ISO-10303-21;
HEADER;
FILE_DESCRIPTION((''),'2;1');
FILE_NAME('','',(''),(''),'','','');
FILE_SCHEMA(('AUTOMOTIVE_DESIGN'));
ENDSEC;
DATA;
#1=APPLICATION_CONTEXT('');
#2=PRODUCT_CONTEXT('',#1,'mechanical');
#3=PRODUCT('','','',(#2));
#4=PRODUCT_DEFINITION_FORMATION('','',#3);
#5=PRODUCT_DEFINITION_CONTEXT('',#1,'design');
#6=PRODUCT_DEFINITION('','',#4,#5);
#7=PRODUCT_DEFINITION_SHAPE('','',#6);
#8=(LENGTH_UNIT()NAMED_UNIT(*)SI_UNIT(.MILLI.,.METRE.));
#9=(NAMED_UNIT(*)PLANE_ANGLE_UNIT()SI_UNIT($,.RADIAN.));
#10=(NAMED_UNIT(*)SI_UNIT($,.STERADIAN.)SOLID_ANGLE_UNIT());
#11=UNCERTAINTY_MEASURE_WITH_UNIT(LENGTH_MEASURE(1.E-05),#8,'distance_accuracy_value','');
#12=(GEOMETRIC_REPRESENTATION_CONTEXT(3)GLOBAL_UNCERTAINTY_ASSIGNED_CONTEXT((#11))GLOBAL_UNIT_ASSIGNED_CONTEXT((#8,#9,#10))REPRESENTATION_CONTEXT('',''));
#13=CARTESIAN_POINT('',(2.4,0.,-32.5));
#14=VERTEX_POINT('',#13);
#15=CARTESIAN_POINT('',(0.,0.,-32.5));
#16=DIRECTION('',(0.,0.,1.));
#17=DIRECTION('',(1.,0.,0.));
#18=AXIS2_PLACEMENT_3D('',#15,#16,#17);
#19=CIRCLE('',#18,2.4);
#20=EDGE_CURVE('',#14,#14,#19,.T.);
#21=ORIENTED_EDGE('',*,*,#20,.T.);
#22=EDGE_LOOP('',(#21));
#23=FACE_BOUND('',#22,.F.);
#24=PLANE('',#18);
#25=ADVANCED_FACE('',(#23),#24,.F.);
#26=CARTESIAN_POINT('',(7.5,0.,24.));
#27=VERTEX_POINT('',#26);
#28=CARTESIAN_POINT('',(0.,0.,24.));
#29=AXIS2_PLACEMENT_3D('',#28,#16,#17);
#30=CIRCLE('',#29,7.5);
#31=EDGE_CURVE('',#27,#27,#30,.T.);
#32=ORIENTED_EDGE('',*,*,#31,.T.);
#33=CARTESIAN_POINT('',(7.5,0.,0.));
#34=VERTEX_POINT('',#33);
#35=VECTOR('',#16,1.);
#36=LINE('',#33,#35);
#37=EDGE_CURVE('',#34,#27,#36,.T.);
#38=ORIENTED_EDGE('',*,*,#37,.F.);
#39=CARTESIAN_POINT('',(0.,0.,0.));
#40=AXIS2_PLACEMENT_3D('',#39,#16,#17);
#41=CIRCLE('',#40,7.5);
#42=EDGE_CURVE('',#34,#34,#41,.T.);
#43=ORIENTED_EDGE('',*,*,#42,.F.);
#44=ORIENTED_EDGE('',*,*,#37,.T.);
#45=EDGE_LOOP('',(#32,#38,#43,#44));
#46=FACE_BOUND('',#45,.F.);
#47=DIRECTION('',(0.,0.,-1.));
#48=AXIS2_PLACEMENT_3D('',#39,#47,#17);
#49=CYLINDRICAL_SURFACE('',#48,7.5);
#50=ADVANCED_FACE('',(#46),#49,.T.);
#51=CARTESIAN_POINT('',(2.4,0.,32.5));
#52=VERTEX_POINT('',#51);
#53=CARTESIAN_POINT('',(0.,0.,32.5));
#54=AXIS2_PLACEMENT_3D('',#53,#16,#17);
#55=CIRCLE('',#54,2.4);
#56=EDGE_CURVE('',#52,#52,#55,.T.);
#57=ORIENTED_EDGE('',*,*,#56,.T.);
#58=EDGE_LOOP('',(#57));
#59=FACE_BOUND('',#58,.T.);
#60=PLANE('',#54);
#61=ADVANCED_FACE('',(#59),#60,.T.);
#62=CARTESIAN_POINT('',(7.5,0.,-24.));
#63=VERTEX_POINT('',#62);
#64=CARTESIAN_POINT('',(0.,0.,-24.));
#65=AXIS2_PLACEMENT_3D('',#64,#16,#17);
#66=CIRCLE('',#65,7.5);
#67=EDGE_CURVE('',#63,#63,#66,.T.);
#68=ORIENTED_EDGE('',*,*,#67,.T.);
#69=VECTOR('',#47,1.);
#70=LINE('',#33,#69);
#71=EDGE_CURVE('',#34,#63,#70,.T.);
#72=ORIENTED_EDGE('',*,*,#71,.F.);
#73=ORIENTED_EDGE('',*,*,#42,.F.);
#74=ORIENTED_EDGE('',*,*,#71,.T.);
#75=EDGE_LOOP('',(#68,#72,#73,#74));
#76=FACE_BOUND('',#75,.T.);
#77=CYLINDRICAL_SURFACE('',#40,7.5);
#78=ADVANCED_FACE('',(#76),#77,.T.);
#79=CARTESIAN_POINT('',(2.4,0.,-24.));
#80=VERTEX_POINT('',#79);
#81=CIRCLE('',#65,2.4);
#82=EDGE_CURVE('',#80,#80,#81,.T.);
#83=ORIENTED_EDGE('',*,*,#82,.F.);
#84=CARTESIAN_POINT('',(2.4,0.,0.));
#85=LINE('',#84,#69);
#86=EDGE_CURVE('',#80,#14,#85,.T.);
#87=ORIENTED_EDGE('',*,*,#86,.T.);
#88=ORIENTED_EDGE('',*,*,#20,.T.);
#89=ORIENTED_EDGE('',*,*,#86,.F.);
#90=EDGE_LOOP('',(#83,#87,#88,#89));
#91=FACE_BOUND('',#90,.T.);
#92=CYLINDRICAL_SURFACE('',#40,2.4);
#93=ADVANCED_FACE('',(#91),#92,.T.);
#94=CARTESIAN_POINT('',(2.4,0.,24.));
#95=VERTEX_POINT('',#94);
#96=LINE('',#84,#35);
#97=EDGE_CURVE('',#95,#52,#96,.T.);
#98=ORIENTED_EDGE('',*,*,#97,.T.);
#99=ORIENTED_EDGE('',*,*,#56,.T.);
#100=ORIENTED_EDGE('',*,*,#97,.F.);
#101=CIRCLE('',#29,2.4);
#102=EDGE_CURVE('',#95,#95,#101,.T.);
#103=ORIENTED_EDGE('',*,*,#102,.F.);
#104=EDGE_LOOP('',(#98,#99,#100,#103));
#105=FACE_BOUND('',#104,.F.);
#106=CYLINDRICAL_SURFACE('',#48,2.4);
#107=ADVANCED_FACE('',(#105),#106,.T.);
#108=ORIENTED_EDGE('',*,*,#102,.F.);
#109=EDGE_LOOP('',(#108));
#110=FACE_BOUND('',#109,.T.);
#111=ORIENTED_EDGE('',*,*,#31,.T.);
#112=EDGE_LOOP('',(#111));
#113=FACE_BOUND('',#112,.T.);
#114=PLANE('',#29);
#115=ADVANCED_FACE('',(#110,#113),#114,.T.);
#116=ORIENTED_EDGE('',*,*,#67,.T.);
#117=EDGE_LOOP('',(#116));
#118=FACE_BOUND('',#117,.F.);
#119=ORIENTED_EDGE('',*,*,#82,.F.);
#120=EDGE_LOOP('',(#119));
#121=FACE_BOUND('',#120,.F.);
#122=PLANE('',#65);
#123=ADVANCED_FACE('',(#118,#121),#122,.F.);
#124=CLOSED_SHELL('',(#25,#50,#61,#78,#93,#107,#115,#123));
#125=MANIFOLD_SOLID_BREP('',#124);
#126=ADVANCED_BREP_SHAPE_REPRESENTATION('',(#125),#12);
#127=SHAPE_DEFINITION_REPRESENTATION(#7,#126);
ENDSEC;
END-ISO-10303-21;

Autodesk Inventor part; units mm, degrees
ref_plane "YZ Plane" through (0, 0, 0) normal (1, 0, 0) x (0, 1, 0)
ref_plane "XZ Plane" through (0, 0, 0) normal (0, 1, 0) x (-1, 0, 0)
ref_plane "XY Plane" through (0, 0, 0) normal (0, 0, 1) x (1, 0, 0)
sketch "Sketch1" plane through (0, 0, 0) normal (0, 0, 1) x (1, 0, 0)
  circle A0 centre (0, 0) radius 7.5
  circle A1 centre (0, 0) radius 2.4
  dimension "d0" = 15
  dimension "d1" = 4.8
extrude "Extrusion1" add sketch "Sketch1" along normal mid plane 65 contours A1
extrude "Extrusion2" add sketch "Sketch1" along normal mid plane 48
properties part number "Conveyor_002_001" material "ABS Plastic"
